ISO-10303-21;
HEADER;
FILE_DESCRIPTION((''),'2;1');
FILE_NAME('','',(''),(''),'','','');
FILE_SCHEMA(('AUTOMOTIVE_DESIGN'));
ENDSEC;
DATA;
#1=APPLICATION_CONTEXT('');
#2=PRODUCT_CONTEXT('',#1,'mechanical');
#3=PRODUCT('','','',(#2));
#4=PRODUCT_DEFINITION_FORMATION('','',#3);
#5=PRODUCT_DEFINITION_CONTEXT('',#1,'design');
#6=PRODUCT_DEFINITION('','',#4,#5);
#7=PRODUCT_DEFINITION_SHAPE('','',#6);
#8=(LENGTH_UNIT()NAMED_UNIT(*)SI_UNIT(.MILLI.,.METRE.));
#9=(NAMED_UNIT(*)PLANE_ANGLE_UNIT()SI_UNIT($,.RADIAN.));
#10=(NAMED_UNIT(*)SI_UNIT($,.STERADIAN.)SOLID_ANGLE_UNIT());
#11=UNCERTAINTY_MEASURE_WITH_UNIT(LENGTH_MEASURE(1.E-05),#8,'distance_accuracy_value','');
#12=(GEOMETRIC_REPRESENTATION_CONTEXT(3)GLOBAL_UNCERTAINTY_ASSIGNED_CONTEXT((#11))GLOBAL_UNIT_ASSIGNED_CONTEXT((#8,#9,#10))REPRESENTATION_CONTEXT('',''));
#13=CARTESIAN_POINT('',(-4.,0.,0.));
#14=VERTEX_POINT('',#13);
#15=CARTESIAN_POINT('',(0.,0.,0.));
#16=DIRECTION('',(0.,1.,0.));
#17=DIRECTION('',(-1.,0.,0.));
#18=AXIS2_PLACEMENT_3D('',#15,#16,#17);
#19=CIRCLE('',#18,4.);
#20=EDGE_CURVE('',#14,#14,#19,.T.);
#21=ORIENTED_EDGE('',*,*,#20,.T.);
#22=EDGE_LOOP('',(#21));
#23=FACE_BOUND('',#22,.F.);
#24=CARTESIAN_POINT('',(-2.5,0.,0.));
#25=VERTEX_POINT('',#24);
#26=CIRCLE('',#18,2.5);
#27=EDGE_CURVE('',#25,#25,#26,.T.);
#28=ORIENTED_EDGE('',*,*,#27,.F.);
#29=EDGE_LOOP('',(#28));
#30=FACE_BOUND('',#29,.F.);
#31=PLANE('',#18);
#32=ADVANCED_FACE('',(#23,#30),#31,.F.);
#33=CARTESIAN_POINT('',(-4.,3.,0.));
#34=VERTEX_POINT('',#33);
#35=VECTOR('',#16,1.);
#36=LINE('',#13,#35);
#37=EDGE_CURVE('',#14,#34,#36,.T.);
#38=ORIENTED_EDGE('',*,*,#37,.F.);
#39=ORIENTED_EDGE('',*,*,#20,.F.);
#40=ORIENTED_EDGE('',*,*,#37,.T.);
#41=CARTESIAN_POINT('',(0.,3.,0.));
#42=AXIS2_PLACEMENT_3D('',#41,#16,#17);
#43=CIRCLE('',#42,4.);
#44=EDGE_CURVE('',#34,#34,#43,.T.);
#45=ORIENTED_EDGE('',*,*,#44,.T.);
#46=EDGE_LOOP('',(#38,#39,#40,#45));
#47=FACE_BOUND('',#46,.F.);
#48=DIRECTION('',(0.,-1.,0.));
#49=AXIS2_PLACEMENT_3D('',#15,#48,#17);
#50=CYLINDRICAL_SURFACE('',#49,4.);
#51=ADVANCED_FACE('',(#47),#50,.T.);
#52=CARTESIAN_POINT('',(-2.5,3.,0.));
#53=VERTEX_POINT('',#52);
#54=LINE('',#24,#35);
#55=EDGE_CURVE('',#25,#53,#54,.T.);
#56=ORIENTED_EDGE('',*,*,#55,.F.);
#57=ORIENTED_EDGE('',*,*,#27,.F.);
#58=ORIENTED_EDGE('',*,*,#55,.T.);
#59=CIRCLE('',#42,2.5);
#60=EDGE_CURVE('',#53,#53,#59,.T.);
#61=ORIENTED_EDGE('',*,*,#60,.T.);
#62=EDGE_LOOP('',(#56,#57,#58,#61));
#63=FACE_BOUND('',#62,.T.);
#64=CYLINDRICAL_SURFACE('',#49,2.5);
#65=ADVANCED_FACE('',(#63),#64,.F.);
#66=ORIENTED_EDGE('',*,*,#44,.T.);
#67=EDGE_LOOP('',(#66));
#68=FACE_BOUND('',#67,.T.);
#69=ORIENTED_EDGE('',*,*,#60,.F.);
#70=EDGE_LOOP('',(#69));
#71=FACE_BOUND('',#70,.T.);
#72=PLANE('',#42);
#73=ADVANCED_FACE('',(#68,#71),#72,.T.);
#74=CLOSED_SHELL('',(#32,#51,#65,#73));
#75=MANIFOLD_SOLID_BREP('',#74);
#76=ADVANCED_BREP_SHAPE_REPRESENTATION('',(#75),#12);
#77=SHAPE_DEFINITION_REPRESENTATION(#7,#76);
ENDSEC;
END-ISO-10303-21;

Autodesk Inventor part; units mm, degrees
ref_plane "YZ Plane" through (0, 0, 0) normal (1, 0, 0) x (0, 1, 0)
ref_plane "XZ Plane" through (0, 0, 0) normal (0, 1, 0) x (-1, 0, 0)
ref_plane "XY Plane" through (0, 0, 0) normal (0, 0, 1) x (1, 0, 0)
sketch "Sketch1" plane through (0, 0, 0) normal (0, 1, 0) x (-1, 0, 0)
  circle A0 centre (0, 0) radius 2.5
  circle A1 centre (0, 0) radius 4
  dimension "d0" = 5
  dimension "d1" = 8
extrude "Extrusion1" add sketch "Sketch1" along normal blind 3
properties part number "Limiter_3DPrint"
